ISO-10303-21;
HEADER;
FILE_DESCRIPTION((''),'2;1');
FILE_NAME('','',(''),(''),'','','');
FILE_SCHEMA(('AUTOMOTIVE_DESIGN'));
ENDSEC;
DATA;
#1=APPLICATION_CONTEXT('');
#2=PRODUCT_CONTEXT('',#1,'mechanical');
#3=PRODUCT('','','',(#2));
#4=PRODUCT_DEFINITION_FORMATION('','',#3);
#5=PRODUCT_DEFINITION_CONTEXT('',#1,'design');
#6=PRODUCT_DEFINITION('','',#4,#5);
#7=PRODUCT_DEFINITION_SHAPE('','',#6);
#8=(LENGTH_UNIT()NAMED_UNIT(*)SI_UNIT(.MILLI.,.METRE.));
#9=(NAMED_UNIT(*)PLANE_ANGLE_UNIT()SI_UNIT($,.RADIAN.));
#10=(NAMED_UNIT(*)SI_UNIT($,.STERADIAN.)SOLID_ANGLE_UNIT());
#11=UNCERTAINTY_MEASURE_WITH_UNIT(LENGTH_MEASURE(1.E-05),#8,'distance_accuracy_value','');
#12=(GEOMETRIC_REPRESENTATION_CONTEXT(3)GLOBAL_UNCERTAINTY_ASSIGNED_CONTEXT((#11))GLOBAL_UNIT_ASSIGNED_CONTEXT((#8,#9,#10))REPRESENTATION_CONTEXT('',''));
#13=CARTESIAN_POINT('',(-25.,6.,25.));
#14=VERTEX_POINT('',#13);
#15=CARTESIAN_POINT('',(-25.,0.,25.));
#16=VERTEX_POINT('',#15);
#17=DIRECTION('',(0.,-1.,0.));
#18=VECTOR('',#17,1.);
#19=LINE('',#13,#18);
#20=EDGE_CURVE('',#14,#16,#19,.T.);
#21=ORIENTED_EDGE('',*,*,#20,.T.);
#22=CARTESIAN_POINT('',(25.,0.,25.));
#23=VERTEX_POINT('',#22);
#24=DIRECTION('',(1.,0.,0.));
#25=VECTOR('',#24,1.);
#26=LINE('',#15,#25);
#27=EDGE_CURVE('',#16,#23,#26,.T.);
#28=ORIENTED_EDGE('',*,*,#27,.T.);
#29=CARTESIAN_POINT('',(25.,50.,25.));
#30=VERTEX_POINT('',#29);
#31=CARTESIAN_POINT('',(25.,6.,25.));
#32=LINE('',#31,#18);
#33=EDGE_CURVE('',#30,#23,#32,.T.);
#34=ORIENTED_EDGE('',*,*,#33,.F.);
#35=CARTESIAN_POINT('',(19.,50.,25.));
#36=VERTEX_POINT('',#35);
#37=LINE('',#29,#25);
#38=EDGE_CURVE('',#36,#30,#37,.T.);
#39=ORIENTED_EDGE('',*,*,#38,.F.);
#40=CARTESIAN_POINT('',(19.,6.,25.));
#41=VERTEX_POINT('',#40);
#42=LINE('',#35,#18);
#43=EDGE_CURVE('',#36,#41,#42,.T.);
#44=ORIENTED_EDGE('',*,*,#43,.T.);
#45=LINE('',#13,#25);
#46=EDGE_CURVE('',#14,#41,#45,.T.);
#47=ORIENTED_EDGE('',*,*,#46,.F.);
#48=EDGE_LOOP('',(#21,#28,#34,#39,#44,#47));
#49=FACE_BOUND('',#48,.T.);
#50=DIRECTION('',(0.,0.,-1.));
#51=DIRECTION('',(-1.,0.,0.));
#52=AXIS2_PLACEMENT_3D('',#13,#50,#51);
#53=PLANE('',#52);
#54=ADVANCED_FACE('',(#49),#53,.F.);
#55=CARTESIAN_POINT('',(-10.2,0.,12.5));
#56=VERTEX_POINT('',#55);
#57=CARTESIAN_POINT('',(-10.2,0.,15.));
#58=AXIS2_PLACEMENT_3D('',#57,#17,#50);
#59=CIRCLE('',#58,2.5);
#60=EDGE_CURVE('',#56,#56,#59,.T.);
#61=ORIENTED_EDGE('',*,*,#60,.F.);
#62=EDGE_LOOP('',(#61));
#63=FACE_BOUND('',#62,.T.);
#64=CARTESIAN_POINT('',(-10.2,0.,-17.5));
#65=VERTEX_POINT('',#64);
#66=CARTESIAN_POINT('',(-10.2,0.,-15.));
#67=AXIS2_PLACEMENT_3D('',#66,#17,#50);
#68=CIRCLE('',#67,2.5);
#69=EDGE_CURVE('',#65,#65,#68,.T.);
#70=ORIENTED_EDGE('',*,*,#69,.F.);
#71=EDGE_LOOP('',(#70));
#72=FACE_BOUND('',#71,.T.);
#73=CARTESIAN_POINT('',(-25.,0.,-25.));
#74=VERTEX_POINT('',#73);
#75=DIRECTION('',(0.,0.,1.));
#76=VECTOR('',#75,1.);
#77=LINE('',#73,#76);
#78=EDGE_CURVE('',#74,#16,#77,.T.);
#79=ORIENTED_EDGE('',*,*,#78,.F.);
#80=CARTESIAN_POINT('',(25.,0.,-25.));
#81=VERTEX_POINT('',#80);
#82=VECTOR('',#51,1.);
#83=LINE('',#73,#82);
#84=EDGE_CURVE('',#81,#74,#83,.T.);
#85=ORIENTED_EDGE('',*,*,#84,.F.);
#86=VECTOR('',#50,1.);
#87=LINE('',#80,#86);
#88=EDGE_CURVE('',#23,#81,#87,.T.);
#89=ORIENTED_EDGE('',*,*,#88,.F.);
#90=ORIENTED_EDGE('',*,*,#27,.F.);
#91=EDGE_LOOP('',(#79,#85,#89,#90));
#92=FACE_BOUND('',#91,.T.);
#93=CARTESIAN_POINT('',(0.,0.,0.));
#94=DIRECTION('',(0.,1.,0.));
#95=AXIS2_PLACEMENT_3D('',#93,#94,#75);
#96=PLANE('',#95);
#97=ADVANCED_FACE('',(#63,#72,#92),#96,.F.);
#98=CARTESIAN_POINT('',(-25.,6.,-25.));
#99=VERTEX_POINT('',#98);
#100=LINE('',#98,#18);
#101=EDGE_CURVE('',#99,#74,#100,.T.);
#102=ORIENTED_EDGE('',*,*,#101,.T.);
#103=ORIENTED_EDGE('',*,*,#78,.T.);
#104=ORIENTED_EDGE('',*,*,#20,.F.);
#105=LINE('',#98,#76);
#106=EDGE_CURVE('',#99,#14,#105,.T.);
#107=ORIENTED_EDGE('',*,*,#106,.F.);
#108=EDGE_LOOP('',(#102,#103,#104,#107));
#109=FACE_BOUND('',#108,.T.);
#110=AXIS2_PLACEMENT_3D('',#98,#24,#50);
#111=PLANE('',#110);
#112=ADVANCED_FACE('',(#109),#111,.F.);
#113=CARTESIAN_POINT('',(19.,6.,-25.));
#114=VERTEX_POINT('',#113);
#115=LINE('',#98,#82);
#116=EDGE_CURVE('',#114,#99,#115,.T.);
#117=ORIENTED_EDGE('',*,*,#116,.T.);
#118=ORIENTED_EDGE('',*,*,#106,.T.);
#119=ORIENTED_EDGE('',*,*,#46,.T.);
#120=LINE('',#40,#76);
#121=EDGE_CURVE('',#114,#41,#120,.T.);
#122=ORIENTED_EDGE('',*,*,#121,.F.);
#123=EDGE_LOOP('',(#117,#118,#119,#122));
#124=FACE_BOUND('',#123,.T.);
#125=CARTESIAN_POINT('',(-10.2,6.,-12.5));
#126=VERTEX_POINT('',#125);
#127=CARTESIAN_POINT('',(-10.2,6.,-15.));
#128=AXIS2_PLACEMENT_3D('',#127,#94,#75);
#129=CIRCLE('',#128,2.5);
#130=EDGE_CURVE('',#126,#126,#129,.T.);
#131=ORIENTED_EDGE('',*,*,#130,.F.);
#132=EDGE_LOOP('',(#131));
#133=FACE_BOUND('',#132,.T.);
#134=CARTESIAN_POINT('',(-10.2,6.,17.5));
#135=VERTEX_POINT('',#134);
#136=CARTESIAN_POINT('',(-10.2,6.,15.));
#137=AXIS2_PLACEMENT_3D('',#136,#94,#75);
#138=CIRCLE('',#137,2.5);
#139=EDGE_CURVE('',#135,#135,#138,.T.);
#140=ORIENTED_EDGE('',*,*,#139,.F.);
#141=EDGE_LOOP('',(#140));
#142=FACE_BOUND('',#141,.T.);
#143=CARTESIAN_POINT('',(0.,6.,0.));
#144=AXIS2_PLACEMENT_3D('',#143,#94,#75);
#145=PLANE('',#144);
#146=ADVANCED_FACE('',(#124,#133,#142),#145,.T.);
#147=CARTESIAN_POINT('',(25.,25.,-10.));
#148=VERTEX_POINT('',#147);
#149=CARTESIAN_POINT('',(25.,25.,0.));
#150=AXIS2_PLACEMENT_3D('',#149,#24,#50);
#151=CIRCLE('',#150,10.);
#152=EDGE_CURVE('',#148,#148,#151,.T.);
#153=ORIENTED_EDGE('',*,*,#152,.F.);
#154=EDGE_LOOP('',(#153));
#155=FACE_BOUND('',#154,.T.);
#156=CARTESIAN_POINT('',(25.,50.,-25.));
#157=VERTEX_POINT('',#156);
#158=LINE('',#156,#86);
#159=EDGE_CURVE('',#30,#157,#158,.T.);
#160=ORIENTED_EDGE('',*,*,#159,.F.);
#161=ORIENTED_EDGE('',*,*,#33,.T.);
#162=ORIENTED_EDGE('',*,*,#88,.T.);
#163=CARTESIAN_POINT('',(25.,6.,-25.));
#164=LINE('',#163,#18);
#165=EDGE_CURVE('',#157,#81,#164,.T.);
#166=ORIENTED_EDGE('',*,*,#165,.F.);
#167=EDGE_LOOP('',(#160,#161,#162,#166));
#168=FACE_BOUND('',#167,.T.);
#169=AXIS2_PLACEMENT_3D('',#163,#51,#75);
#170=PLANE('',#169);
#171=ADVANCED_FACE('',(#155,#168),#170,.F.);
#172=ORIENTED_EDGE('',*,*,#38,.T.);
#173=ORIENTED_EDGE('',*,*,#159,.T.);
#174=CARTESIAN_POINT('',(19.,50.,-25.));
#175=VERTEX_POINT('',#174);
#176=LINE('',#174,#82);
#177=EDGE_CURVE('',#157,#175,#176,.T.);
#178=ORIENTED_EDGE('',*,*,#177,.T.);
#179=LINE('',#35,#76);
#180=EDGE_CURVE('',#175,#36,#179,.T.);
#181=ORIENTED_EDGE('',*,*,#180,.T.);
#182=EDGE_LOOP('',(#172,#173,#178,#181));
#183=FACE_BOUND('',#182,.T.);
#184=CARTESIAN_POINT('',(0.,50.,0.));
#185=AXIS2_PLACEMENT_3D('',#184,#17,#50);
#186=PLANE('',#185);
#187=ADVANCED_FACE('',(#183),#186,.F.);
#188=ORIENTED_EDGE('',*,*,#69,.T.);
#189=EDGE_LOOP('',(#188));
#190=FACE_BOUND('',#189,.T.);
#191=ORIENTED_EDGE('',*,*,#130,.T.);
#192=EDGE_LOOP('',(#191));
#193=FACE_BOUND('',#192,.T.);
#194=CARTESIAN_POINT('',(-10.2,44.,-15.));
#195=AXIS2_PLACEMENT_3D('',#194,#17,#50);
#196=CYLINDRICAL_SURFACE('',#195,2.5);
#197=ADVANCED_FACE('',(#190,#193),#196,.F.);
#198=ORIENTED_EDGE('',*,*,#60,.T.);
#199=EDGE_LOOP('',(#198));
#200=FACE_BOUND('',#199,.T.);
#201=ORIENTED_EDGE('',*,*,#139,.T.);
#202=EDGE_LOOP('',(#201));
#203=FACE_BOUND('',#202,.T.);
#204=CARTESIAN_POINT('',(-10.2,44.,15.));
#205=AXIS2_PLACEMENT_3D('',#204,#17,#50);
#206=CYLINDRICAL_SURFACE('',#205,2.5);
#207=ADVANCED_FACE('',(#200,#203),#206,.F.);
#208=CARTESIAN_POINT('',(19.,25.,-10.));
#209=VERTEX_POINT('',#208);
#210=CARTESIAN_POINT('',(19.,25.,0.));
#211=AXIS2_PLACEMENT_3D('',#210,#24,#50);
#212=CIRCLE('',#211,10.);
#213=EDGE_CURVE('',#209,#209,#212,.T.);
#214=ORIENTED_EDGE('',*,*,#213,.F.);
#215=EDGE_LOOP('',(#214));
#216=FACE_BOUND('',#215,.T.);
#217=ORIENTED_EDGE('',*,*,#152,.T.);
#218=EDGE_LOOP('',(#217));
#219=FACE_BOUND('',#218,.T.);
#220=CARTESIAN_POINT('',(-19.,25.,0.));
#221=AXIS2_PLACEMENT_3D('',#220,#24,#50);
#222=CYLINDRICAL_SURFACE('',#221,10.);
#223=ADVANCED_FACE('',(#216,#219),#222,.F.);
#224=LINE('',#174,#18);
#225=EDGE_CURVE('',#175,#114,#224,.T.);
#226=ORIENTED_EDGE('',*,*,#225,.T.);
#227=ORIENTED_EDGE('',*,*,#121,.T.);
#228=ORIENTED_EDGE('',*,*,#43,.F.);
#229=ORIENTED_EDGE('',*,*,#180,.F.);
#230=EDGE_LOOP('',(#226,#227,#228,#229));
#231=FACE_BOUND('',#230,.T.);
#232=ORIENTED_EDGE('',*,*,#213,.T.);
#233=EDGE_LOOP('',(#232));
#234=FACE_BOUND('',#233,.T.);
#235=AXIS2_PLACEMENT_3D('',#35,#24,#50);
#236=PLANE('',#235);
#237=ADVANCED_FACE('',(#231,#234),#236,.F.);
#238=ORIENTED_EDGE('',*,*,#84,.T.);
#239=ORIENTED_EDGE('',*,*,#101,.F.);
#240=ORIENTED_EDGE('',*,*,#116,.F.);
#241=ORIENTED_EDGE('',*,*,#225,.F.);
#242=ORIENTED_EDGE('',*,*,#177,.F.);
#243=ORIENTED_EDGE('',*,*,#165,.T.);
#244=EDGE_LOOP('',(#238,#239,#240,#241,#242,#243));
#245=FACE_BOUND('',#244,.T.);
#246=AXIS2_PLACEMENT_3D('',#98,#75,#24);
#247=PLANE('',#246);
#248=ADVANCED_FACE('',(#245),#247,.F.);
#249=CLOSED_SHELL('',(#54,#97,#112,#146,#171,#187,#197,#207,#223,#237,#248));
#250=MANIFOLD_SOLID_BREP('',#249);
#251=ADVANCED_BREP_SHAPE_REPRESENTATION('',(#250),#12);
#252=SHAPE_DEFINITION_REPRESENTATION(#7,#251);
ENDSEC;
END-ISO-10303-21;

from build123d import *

# Parameters (mm, degrees)
SKETCH_1_W          = 50
SKETCH_1_H          = 50
EXTRUDE_1_DEPTH     = 6
SKETCH_2_W          = 6
SKETCH_2_H          = 50
EXTRUDE_2_DEPTH     = 44
SKETCH_3_R          = 10
CUT_EXTRUDE_1_DEPTH = 44
SKETCH_4_R          = 2.5
CUT_EXTRUDE_2_DEPTH = 44


with BuildPart() as part:
    # ｽｹｯﾁ1 → ﾎﾞｽ - 押し出し1 (new body)
    with BuildSketch(Plane(origin=(0, 0, 0), x_dir=(1, 0, 0), z_dir=(0, 1, 0))):
        Rectangle(SKETCH_1_W, SKETCH_1_H)
    extrude(amount=EXTRUDE_1_DEPTH)

    # ｽｹｯﾁ2 → ﾎﾞｽ - 押し出し2 (add)
    with BuildSketch(Plane(origin=(0, 6, 0), x_dir=(1, 0, 0), z_dir=(0, 1, 0))):
        with Locations((22, 0)):
            Rectangle(SKETCH_2_W, SKETCH_2_H)
    extrude(amount=EXTRUDE_2_DEPTH)

    # ｽｹｯﾁ3 → ｶｯﾄ - 押し出し1 (cut)
    with BuildSketch(Plane(origin=(25, 0, 0), x_dir=(0, 0, -1), z_dir=(1, 0, 0))):
        with Locations((0, 25)):
            Circle(SKETCH_3_R)
    extrude(amount=-CUT_EXTRUDE_1_DEPTH, mode=Mode.SUBTRACT)

    # ｽｹｯﾁ4 → ｶｯﾄ - 押し出し2 (cut)
    with BuildSketch(Plane.XZ):
        with Locations((-10.2, -15)):
            Circle(SKETCH_4_R)
        with Locations((-10.2, 15)):
            Circle(SKETCH_4_R)
    extrude(amount=-CUT_EXTRUDE_2_DEPTH, mode=Mode.SUBTRACT)


solid = part.part
